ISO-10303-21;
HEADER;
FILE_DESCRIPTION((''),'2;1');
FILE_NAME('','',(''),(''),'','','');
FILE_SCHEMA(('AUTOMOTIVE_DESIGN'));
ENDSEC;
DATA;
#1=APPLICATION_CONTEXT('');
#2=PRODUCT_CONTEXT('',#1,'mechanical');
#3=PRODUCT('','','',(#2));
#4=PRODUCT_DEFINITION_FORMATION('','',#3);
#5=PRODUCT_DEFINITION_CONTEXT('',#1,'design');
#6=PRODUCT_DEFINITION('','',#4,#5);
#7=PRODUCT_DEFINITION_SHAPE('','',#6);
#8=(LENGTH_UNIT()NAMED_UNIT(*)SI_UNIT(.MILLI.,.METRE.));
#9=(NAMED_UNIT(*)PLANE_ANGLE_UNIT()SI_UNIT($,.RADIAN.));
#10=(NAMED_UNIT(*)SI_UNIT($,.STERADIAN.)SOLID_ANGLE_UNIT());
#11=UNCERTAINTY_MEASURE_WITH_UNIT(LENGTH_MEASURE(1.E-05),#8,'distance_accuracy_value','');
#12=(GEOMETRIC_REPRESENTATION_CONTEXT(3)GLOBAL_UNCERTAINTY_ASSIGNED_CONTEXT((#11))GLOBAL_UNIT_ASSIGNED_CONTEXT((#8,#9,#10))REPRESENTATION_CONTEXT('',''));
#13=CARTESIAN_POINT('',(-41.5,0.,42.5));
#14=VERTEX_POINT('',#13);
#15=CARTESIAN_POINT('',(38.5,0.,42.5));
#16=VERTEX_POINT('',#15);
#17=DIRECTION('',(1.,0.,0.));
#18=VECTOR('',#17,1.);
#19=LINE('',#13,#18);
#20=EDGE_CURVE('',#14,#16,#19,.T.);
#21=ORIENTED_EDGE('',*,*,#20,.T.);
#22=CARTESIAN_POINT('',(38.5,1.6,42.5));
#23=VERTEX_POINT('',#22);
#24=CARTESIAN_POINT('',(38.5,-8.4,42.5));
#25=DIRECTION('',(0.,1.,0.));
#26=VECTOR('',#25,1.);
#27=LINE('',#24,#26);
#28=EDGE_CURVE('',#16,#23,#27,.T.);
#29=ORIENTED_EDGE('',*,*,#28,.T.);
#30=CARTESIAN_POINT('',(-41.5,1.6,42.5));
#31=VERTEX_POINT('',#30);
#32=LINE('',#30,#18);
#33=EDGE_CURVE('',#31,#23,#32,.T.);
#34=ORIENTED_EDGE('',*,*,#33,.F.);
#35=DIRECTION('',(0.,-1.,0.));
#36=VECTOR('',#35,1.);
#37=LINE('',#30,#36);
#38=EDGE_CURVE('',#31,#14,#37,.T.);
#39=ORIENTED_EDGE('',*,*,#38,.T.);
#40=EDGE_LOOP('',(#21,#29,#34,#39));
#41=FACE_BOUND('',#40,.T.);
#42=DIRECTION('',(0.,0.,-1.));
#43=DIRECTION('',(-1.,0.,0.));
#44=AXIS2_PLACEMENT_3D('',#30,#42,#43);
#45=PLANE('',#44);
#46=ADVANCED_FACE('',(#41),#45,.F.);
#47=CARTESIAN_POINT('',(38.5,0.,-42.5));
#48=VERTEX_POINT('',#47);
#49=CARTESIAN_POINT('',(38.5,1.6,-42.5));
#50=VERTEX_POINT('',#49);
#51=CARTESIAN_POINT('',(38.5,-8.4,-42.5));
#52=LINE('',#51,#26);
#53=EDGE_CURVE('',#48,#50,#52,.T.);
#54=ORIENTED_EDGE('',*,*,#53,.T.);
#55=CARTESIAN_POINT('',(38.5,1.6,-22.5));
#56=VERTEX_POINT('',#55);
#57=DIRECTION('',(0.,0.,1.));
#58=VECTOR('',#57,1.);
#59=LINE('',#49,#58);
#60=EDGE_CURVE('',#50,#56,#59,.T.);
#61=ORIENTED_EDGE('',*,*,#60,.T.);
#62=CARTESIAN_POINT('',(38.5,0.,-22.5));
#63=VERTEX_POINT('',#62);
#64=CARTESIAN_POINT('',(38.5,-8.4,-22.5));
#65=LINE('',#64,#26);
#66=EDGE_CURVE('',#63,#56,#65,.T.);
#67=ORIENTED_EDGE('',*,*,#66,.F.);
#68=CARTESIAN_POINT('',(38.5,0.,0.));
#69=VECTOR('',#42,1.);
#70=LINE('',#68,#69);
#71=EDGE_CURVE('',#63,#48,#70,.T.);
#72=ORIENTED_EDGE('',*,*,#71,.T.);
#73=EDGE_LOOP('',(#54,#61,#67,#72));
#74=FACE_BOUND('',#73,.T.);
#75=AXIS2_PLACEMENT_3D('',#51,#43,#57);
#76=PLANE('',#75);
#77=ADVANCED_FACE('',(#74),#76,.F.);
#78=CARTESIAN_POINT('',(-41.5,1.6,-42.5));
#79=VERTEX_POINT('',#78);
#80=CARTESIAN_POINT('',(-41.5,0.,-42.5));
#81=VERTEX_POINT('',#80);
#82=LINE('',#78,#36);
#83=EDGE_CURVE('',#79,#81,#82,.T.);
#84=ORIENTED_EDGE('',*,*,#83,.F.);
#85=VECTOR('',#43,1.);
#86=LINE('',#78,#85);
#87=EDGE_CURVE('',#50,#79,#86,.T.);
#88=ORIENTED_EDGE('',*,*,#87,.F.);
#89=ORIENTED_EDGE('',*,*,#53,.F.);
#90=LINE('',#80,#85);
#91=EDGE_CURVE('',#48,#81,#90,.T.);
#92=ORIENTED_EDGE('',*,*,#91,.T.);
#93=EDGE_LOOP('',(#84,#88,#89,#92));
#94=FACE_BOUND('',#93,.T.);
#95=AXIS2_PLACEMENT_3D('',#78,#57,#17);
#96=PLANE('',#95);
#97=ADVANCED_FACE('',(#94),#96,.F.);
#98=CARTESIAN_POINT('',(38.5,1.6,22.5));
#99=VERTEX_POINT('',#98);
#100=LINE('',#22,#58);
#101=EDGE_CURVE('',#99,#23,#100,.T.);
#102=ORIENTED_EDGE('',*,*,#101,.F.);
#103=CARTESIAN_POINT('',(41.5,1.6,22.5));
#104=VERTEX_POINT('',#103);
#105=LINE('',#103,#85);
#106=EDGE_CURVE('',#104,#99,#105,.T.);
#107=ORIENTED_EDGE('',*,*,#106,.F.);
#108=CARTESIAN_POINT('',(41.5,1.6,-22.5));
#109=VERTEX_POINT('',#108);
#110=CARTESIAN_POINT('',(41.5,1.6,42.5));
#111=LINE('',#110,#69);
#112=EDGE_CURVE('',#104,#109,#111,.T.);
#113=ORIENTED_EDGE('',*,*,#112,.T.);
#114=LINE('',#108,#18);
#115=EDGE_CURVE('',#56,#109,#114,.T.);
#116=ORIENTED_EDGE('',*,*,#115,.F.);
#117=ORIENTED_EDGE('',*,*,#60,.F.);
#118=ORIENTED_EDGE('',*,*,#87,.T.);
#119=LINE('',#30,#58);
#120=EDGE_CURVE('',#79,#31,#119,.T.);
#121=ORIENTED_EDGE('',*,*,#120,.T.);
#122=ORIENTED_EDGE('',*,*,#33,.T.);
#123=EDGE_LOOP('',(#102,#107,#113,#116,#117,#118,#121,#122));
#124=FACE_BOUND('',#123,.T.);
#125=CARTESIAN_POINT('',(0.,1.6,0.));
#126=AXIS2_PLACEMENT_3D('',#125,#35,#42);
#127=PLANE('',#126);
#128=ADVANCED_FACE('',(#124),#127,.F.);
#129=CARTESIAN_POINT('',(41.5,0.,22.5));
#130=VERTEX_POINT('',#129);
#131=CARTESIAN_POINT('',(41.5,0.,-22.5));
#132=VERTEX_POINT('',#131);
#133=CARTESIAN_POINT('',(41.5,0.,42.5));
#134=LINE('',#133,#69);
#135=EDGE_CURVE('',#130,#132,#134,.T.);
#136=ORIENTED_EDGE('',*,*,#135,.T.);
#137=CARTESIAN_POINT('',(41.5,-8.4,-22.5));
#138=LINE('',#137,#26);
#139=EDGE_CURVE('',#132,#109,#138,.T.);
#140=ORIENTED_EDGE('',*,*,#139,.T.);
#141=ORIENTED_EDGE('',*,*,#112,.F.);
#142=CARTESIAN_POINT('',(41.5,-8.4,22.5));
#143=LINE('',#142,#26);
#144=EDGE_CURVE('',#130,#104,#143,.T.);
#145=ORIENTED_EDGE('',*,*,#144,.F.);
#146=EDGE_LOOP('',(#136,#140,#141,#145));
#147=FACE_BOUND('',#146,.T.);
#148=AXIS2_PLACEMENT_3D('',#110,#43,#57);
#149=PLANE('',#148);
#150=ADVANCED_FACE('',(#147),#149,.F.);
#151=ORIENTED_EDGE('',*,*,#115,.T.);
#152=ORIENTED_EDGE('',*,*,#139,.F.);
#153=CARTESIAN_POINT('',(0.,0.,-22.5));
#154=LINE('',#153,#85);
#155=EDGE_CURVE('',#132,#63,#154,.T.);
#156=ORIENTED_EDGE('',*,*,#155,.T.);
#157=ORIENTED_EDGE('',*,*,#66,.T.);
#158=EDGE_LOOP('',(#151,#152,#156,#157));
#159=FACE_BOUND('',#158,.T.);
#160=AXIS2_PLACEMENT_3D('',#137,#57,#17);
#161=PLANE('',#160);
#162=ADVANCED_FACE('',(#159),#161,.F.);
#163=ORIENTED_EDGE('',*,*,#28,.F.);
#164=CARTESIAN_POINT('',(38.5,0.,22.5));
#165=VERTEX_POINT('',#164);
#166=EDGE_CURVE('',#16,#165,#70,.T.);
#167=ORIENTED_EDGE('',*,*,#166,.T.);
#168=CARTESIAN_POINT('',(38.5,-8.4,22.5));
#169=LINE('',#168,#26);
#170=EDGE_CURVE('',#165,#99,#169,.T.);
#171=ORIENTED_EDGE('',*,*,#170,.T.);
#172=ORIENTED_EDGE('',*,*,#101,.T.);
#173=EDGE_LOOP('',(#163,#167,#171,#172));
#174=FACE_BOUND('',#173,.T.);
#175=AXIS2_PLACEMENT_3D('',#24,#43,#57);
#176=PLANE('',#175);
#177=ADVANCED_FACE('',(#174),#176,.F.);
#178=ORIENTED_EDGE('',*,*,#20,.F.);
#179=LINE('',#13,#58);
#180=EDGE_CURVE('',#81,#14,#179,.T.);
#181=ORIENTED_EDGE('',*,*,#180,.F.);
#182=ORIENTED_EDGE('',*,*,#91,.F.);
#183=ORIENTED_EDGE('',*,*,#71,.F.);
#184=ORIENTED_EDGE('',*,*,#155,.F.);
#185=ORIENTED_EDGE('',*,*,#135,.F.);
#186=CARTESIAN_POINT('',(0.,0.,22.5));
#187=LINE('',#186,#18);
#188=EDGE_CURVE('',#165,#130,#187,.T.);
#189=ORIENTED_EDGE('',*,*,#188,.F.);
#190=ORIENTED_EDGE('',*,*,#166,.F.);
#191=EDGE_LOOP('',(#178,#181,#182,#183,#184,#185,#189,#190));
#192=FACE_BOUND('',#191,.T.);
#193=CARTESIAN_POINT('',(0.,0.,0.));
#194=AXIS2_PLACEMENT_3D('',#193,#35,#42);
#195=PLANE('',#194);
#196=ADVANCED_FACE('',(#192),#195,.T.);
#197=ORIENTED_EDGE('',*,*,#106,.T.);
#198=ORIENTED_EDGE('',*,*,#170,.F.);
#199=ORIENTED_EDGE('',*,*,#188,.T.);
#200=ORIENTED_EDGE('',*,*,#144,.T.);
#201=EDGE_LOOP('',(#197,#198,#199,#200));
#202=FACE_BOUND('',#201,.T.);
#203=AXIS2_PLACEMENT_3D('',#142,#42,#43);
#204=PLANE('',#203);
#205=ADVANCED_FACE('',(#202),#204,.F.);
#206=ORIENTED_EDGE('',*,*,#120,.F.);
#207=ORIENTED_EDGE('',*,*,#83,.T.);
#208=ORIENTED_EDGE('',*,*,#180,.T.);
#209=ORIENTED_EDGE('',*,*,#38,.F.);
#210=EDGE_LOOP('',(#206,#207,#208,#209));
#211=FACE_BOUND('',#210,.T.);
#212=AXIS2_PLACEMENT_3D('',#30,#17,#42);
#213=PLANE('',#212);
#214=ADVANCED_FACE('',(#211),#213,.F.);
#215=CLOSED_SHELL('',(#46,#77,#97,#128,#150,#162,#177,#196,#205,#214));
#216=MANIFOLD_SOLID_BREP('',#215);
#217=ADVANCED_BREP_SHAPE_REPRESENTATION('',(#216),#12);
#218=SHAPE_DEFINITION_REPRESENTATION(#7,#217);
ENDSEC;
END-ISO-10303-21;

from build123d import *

# Parameters (mm, degrees)
SKETCH1_W           = 83
SKETCH1_H           = 85
BOSS_EXTRUDE1_DEPTH = 1.6
SKETCH2_W           = 3
SKETCH2_H           = 20
CUT_EXTRUDE1_DEPTH  = 10


with BuildPart() as part:
    # Sketch1 → Boss-Extrude1 (new body)
    with BuildSketch(Plane(origin=(0, 0, 0), x_dir=(1, 0, 0), z_dir=(0, 1, 0))):
        Rectangle(SKETCH1_W, SKETCH1_H)
    extrude(amount=BOSS_EXTRUDE1_DEPTH)

    # Sketch2 → Cut-Extrude1 (cut)
    with BuildSketch(Plane(origin=(0, 1.6, 0), x_dir=(1, 0, 0), z_dir=(0, 1, 0))):
        with Locations((40, 32.5)):
            Rectangle(SKETCH2_W, SKETCH2_H)
        with Locations((40, -32.5)):
            Rectangle(SKETCH2_W, SKETCH2_H)
    extrude(amount=-CUT_EXTRUDE1_DEPTH, mode=Mode.SUBTRACT)


solid = part.part
